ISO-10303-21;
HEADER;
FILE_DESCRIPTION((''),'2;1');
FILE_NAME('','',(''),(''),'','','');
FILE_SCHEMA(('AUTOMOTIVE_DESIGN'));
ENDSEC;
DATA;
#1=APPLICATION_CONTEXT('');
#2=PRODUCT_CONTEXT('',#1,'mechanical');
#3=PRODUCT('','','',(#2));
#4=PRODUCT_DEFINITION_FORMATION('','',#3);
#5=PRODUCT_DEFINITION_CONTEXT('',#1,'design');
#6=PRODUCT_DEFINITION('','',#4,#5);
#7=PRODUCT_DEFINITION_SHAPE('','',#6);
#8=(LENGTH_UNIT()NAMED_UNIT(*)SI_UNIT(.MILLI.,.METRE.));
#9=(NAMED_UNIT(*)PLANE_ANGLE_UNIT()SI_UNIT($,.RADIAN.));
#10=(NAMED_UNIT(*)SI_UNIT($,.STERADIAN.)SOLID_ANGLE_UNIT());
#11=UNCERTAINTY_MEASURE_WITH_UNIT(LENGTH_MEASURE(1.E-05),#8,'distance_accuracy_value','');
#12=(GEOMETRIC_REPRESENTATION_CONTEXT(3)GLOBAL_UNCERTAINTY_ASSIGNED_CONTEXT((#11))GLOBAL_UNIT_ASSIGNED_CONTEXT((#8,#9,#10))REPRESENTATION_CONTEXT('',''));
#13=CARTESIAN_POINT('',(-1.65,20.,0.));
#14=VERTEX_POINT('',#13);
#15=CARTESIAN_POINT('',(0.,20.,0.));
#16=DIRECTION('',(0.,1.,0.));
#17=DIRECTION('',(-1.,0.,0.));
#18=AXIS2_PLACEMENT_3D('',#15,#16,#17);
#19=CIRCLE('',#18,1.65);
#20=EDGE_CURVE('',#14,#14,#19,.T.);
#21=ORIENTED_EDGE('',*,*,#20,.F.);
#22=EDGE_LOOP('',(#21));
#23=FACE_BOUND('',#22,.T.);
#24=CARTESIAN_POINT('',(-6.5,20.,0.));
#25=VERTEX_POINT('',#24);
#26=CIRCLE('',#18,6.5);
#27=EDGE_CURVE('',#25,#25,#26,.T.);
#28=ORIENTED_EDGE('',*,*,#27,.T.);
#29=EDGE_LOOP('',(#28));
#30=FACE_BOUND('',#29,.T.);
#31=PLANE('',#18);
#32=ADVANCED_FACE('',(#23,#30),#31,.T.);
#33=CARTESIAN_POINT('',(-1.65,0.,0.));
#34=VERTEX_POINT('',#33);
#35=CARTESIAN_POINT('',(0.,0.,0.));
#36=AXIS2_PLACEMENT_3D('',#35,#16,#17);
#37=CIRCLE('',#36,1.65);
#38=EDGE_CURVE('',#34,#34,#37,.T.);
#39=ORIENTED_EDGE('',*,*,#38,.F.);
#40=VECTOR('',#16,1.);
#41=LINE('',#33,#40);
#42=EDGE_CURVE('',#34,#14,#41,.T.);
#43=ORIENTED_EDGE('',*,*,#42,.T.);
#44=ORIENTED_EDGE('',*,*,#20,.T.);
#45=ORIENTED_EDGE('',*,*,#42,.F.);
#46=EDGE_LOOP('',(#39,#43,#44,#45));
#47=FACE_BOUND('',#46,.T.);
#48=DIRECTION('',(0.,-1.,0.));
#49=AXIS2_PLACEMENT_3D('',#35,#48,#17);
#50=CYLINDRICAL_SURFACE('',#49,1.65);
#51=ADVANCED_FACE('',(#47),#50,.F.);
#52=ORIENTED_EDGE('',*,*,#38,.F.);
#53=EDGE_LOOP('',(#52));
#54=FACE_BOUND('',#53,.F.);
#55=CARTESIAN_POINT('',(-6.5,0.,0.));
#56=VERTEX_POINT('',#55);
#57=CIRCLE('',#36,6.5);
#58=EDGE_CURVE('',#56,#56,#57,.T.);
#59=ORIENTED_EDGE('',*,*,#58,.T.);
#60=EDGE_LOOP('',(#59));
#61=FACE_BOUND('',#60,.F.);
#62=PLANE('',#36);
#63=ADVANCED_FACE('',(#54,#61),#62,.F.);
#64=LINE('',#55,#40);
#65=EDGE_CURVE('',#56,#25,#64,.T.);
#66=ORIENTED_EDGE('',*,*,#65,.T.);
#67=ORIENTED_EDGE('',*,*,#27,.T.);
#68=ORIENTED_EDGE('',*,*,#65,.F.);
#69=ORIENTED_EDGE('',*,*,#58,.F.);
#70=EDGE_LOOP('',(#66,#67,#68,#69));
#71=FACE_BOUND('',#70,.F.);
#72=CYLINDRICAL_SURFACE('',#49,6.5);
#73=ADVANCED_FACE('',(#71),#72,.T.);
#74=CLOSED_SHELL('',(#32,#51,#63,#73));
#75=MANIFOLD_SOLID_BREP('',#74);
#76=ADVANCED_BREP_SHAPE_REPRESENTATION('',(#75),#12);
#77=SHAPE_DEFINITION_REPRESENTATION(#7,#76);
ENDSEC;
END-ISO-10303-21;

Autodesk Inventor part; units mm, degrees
ref_plane "YZ Plane" through (0, 0, 0) normal (1, 0, 0) x (0, 1, 0)
ref_plane "XZ Plane" through (0, 0, 0) normal (0, 1, 0) x (-1, 0, 0)
ref_plane "XY Plane" through (0, 0, 0) normal (0, 0, 1) x (1, 0, 0)
sketch "Sketch1" plane through (0, 0, 0) normal (0, 1, 0) x (-1, 0, 0)
  circle A0 centre (0, 0) radius 1.65
  circle A1 centre (0, 0) radius 6.5
  dimension "d0" = 3.3
  dimension "d1" = 13
extrude "Extrusion1" add sketch "Sketch1" along normal blind 20
properties part number "tube" material "ABS Plastic"
